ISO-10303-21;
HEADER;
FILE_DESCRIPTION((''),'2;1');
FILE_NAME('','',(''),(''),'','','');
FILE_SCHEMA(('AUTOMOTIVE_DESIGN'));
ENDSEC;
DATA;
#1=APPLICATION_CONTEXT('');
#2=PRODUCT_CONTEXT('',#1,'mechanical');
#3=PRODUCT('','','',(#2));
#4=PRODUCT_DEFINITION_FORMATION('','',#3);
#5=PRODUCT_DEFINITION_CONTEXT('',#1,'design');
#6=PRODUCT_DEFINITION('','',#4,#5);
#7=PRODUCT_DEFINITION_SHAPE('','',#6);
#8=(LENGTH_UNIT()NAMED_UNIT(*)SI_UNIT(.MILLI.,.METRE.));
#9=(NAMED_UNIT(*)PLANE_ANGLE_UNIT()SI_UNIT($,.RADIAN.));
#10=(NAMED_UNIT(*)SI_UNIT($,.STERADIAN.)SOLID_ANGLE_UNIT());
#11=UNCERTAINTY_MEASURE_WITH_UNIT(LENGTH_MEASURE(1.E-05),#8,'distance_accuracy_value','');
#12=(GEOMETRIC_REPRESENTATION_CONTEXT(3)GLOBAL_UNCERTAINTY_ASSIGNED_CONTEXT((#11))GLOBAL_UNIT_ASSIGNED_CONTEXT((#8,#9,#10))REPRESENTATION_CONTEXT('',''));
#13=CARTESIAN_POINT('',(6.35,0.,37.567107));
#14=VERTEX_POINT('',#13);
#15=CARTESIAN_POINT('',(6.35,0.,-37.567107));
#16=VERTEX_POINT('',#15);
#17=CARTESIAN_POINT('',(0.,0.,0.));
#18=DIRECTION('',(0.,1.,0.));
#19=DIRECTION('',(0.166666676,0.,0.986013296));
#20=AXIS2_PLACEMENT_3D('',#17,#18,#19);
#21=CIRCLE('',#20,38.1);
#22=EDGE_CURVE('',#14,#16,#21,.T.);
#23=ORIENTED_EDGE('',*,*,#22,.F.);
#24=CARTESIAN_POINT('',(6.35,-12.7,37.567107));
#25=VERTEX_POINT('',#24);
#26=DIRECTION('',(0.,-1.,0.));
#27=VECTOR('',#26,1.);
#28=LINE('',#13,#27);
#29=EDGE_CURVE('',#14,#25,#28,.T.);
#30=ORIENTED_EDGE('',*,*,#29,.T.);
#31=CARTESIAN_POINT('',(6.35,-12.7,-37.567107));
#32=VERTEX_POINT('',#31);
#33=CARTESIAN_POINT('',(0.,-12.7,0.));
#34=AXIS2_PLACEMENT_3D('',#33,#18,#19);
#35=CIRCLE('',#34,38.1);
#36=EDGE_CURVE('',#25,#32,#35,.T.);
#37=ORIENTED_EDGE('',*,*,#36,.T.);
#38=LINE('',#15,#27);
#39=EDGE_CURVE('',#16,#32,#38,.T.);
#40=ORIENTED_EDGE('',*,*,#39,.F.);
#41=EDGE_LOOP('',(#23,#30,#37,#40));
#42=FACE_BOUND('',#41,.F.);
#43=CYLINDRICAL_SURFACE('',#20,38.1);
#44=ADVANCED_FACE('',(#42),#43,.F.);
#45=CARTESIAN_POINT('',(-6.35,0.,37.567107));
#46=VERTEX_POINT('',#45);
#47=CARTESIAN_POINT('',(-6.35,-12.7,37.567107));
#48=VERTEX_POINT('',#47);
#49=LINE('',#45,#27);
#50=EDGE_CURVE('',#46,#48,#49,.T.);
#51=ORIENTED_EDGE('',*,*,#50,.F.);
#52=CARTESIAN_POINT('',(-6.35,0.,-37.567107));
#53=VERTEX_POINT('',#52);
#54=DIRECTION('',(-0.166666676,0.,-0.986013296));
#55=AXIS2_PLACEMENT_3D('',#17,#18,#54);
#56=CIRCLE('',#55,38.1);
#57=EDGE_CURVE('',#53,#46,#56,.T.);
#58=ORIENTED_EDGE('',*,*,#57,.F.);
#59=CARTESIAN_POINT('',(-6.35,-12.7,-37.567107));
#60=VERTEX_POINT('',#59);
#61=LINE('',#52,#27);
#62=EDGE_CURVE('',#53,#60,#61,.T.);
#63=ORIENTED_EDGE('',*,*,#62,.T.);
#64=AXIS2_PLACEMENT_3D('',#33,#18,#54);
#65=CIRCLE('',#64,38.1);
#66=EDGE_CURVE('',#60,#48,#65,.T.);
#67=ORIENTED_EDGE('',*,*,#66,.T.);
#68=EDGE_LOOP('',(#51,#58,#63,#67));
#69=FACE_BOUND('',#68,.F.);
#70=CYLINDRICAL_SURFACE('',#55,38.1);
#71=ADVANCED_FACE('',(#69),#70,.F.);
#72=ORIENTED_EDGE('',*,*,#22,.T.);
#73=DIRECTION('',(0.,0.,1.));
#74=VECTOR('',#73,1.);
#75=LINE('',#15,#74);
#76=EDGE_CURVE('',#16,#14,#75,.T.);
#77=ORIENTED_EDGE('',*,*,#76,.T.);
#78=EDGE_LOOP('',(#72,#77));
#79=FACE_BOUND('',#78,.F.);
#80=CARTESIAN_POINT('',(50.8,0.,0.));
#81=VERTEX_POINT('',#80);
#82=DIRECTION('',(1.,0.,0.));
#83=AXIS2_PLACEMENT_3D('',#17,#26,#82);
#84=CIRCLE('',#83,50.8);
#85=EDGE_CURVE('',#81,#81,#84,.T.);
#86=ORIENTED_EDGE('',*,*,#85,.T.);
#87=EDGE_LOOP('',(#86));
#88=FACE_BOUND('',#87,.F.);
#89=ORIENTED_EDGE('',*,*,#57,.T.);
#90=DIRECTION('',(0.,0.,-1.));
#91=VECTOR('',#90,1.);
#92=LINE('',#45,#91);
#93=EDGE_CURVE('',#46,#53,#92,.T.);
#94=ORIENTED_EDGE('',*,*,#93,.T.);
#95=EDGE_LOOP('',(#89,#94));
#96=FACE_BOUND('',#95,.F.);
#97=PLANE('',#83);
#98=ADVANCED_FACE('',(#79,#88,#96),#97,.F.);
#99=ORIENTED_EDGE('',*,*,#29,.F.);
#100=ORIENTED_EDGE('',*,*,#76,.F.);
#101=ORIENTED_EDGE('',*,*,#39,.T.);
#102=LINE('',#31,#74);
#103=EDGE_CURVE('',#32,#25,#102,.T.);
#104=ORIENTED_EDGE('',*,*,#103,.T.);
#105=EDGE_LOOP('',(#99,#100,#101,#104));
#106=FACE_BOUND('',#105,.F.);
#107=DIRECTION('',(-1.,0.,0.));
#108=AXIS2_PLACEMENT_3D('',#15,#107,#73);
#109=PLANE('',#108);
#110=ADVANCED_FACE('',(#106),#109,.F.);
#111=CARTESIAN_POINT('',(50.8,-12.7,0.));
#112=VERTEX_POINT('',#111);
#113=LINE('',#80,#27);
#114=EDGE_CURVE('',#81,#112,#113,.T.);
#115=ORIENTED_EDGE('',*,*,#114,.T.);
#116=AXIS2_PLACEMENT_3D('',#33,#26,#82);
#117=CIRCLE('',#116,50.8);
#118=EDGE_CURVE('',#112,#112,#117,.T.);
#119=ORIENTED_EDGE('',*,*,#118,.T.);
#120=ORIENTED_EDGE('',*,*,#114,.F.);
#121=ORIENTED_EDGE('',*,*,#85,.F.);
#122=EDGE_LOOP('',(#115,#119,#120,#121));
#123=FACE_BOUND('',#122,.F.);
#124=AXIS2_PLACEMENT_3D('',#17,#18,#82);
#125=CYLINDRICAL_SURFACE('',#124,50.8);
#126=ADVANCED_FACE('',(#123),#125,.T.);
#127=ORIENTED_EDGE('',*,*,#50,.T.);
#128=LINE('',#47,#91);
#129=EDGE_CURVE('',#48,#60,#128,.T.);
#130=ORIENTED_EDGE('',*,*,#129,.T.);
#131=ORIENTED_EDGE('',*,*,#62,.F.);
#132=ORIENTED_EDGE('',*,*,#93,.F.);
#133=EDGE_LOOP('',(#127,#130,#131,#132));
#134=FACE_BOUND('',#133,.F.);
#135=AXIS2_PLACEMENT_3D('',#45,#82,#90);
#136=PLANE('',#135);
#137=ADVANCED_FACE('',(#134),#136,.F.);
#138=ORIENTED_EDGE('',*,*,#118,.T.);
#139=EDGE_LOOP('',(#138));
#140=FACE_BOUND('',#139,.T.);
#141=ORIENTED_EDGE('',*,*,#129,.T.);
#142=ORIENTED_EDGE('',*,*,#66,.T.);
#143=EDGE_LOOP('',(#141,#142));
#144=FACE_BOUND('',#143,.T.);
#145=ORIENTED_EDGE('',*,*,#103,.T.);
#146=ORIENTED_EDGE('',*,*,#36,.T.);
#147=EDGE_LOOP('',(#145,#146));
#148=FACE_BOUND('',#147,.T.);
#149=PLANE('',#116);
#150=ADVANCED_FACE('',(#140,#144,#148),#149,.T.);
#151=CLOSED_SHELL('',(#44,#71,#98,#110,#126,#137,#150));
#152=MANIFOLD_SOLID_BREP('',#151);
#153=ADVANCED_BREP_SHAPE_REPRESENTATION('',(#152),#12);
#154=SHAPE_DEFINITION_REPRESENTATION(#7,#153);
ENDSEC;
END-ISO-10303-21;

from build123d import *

# Parameters (mm, degrees)
F0_R     = 50.8
F1_DEPTH = 12.7


with BuildPart() as f1:
    # F0 (on Front) → F1 (new body)
    with BuildSketch(Plane.XZ):
        Circle(F0_R)
        with BuildLine():
            ThreePointArc((-6.35, -37.567107), (-38.1, 0), (-6.35, 37.567107))
            Line((-6.35, 37.567107), (-6.35, -37.567107))
        make_face(mode=Mode.SUBTRACT)
        with BuildLine():
            Line((6.35, -37.567107), (6.35, 37.567107))
            ThreePointArc((6.35, 37.567107), (38.1, 0), (6.35, -37.567107))
        make_face(mode=Mode.SUBTRACT)
    extrude(amount=F1_DEPTH)


solid = f1.part
